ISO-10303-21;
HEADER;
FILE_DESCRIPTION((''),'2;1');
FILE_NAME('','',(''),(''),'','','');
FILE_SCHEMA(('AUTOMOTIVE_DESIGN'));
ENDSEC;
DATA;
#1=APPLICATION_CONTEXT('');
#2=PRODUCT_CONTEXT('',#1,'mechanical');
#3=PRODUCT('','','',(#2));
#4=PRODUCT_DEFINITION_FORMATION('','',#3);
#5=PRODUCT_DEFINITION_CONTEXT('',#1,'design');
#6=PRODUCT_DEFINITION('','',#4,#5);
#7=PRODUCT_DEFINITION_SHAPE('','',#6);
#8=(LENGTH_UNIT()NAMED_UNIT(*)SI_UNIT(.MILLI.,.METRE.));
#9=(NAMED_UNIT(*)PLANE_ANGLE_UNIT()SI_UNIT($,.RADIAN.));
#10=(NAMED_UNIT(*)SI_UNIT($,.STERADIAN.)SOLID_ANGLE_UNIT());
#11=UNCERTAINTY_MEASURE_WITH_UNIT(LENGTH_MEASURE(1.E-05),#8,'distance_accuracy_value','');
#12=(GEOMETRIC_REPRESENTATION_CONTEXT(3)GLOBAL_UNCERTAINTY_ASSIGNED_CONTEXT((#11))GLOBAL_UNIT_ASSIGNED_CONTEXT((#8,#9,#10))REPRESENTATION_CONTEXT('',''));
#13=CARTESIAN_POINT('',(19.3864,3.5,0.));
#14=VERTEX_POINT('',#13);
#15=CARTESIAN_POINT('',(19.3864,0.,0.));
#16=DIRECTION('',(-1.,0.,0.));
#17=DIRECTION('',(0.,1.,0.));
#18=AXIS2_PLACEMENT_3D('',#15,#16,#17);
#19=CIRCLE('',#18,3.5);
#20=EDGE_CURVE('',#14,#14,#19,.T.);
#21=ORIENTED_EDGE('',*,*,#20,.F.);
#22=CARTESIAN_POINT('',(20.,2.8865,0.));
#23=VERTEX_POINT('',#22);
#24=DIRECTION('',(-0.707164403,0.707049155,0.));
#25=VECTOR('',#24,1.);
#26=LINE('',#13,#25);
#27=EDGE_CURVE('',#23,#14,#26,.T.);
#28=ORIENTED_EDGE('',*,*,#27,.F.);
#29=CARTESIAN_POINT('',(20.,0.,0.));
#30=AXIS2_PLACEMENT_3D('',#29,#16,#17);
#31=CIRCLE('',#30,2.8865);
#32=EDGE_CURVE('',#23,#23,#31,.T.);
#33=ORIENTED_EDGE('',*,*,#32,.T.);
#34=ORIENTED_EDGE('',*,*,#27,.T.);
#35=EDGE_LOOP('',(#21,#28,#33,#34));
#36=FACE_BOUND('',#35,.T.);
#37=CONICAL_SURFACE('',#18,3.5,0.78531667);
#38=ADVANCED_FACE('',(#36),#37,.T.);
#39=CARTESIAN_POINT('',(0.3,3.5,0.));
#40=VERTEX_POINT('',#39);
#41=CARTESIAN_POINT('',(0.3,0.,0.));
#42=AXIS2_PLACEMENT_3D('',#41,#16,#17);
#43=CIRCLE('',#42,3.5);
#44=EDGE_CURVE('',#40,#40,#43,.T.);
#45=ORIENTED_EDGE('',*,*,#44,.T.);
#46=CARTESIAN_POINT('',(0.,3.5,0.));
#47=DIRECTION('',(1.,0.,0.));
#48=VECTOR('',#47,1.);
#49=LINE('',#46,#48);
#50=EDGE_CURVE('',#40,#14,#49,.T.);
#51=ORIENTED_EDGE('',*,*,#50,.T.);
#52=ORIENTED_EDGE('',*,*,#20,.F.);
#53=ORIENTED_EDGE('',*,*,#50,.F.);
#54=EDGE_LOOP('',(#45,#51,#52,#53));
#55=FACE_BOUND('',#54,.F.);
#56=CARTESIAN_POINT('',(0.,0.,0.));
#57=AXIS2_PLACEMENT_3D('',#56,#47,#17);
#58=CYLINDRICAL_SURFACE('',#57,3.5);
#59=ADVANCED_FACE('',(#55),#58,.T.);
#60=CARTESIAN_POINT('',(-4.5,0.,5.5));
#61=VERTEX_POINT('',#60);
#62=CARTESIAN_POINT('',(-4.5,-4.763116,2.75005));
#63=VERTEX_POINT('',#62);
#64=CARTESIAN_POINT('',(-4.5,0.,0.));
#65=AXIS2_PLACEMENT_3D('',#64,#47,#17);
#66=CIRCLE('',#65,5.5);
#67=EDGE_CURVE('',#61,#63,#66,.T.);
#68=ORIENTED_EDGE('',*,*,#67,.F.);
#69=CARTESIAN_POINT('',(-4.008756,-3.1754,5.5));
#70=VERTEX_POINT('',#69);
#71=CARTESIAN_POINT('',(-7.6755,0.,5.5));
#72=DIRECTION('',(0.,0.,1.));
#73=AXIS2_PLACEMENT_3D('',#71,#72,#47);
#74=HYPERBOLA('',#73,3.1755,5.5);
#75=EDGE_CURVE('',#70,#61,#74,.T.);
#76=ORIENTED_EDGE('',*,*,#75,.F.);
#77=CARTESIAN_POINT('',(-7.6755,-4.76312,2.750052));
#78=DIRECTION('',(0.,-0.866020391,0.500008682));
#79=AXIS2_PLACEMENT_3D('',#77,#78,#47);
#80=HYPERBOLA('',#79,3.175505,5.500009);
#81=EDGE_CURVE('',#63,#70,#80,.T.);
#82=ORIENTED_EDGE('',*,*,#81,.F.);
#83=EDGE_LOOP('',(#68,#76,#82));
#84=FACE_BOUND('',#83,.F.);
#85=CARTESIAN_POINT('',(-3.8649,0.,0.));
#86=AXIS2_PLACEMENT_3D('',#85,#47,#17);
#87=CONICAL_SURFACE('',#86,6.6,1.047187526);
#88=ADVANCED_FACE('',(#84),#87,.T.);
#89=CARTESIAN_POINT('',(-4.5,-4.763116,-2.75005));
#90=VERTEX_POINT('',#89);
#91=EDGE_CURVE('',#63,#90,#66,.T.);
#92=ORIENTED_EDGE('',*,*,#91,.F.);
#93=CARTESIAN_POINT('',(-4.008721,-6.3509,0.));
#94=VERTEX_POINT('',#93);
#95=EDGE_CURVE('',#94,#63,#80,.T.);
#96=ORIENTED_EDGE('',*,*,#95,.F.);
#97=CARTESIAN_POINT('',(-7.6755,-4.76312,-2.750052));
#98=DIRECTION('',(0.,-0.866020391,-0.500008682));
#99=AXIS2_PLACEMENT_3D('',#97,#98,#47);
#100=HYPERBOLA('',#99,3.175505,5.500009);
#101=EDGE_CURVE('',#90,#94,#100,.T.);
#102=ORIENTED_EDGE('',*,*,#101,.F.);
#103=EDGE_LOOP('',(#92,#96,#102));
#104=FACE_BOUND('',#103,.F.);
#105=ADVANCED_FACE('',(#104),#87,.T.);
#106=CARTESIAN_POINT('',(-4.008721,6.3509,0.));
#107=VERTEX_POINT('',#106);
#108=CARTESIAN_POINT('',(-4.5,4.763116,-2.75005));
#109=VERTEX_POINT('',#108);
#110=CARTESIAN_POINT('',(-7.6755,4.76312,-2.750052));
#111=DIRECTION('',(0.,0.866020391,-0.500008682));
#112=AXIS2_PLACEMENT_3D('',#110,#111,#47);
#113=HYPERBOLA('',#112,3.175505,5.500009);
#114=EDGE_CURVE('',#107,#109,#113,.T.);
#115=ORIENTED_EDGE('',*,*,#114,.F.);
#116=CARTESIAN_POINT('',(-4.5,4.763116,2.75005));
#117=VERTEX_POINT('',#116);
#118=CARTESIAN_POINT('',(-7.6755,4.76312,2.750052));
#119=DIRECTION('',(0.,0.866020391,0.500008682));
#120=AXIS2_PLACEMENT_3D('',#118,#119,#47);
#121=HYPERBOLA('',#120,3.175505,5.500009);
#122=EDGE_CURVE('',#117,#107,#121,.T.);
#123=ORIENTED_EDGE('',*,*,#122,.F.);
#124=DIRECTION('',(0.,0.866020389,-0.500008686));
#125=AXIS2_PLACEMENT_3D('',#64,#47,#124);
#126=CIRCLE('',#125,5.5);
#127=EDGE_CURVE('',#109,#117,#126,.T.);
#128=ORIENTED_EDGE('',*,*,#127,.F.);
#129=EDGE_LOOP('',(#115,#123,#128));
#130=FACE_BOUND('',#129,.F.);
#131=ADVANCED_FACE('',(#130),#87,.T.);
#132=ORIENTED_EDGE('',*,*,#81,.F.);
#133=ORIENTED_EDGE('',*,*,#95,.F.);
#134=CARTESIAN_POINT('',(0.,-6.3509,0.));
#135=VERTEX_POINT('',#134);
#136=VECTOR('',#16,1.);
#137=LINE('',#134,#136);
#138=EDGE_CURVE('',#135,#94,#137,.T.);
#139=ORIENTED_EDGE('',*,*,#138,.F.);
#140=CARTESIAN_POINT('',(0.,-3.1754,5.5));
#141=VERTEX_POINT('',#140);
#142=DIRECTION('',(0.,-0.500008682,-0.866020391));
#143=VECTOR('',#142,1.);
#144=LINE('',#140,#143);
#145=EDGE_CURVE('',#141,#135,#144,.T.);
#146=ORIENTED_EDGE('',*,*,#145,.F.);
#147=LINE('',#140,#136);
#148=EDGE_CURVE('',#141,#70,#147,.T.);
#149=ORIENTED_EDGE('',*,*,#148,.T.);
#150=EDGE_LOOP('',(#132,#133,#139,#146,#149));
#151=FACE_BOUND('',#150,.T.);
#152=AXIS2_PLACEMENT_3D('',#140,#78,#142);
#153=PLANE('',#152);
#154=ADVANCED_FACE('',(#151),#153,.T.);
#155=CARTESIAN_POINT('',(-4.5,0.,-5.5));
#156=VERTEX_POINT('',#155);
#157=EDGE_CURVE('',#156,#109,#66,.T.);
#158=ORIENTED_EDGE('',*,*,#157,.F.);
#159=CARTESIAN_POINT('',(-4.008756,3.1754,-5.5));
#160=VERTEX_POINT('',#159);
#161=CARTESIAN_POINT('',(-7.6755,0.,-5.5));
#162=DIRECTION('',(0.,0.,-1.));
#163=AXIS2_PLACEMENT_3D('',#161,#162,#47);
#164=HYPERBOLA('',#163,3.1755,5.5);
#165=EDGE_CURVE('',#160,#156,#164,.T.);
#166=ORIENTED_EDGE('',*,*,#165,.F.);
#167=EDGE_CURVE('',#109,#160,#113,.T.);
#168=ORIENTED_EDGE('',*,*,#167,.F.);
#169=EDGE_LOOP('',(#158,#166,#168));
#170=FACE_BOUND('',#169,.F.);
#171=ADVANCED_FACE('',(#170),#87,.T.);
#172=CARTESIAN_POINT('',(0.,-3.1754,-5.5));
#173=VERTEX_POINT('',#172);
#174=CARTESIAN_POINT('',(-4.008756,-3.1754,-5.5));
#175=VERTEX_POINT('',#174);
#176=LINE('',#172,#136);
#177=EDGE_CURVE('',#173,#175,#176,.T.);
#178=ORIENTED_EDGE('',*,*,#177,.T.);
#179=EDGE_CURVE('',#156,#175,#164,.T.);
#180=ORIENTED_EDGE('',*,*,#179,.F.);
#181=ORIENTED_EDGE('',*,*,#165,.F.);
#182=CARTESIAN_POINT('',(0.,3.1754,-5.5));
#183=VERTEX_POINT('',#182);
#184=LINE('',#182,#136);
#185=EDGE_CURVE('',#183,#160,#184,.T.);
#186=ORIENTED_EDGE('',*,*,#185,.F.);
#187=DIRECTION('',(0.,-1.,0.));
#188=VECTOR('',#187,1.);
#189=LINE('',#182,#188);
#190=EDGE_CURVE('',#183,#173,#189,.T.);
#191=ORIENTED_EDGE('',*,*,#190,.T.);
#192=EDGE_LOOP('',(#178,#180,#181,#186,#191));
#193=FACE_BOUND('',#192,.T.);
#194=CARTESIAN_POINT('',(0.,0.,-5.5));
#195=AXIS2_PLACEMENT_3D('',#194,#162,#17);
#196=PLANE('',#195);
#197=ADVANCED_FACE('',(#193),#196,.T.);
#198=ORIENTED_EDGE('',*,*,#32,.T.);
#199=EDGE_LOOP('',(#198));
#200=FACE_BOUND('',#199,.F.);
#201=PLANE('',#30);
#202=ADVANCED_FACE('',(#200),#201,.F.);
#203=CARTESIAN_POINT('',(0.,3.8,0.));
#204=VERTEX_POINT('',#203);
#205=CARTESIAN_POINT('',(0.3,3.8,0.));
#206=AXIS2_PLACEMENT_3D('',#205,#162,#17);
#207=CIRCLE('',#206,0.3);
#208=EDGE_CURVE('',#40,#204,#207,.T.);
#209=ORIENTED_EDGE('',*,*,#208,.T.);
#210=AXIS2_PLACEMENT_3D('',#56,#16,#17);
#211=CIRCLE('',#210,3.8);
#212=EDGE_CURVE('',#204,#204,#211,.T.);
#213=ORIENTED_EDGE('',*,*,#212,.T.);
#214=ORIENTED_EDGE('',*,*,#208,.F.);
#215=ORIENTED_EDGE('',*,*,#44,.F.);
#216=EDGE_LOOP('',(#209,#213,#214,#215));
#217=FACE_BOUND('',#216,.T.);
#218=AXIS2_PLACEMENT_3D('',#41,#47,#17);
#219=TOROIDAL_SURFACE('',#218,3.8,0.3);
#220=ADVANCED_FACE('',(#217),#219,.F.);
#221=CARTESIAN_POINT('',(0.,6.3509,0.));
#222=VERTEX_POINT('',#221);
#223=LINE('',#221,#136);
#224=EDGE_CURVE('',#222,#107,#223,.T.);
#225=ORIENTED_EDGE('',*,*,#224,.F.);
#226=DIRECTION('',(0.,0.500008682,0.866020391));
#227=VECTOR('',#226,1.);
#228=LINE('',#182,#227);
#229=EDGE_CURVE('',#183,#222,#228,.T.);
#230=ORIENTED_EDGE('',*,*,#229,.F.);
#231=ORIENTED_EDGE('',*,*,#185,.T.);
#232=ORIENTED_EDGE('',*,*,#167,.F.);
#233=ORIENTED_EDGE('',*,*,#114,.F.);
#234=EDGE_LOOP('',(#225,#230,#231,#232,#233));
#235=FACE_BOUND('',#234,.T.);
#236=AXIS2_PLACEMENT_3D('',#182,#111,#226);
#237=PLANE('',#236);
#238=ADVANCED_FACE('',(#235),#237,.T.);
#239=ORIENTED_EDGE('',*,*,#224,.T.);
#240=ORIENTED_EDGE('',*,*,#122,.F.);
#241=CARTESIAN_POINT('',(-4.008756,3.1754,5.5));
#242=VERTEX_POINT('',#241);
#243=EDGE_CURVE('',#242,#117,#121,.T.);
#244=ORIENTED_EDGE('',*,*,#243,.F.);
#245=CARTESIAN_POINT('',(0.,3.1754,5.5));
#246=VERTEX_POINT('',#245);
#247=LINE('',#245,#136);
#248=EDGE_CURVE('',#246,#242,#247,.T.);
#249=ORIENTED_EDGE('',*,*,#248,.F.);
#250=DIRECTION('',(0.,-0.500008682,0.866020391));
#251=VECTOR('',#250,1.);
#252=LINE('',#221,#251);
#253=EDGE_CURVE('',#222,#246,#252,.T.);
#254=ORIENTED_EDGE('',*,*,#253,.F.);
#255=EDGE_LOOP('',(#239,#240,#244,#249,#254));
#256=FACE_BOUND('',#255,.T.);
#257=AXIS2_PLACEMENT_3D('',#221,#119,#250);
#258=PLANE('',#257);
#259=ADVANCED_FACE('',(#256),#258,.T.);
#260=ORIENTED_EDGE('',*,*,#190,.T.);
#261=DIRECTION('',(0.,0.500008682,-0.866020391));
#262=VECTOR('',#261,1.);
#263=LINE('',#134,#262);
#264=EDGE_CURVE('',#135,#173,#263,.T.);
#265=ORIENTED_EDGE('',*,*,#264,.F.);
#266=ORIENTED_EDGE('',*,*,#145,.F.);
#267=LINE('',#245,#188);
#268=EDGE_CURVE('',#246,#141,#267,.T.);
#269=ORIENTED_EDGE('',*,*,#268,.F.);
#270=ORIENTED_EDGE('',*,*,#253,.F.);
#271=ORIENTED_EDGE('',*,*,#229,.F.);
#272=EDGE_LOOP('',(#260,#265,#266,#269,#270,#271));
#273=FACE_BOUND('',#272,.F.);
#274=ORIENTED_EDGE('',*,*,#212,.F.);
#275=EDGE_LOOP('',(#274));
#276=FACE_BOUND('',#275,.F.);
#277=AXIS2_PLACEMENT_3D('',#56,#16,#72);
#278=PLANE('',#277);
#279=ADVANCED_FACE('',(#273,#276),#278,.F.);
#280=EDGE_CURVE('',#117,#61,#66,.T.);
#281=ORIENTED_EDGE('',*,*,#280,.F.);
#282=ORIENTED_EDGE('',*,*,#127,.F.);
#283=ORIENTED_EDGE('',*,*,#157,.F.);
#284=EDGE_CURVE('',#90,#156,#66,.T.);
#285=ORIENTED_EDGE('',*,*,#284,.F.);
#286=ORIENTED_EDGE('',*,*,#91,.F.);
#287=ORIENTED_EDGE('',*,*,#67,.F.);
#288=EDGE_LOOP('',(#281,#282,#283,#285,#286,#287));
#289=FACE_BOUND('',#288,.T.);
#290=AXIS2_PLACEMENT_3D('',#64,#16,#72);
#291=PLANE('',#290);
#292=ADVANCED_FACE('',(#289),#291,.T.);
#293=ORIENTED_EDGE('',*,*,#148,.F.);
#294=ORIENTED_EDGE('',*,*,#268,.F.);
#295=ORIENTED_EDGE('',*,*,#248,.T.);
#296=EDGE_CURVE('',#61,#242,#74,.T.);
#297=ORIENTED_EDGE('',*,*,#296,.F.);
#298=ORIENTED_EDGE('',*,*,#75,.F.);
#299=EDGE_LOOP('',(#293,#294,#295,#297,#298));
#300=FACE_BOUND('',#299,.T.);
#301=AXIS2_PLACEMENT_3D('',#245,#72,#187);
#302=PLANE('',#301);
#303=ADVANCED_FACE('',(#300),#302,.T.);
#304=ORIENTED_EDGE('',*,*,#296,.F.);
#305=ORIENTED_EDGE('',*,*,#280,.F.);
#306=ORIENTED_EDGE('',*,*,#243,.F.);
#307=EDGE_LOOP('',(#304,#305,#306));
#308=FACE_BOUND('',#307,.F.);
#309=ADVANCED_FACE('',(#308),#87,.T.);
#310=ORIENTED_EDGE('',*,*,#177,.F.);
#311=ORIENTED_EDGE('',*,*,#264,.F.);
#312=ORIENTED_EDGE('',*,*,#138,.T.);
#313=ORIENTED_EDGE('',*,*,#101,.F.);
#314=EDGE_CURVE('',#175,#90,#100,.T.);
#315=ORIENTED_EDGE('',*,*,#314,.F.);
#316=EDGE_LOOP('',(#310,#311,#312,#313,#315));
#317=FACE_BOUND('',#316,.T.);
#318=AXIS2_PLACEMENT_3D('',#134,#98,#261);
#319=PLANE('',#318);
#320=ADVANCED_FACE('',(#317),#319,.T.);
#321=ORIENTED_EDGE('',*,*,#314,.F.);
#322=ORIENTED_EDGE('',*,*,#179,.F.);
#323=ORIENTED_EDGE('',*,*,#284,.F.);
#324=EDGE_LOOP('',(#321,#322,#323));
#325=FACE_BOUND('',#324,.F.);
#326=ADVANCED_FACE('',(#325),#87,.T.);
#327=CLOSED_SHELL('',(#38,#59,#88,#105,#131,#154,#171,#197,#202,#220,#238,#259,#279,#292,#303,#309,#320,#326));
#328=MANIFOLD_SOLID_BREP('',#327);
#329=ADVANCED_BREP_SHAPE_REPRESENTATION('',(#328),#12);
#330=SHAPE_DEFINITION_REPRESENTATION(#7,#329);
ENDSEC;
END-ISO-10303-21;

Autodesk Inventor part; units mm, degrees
ref_plane "YZ Plane" through (0, 0, 0) normal (1, 0, 0) x (0, 1, 0)
ref_plane "XZ Plane" through (0, 0, 0) normal (0, 1, 0) x (-1, 0, 0)
sketch "Sketch1" plane through (0, 0, 0) normal (0, 0, 1) x (1, 0, 0)
  line L0 (0, 3.5) -> (20, 3.5)
  line L1 (20, 3.5) -> (20, 0)
  line L2 (20, 0) -> (0, 0)
  line L3 (-4, 0) -> (24, 0) projected
  line L4 (0, -0.7) -> (0, 4.2) projected
  line L5 (0, 3.5) -> (0, 0)
  dimension "d2" = 7
  dimension "d59" = 20
revolve "Body" add sketch "Sketch1" angle 360 about axis through (20, 0, 0) along (-1, 0, 0)
sketch "Sketch2" plane through (0, 0, 0) normal (-1, 0, 0) x (0, 0, 1)
  line L0 (0, 6.3509) -> (5.5, 3.1754)
  line L1 (5.5, 3.1754) -> (5.5, -3.1754)
  line L2 (5.5, -3.1754) -> (0, -6.3509)
  line L3 (0, -6.3509) -> (-5.5, -3.1754)
  line L4 (-5.5, -3.1754) -> (-5.5, 3.1754)
  line L5 (-5.5, 3.1754) -> (0, 6.3509)
  line L6 (-7.7, 0) -> (7.7, 0) projected
  line L7 (0, 8.8912) -> (0, -8.8912) projected
  point P0 (0, 0)
  point P1 (0, 0)
  dimension "d11" = 11
extrude "Head" add sketch "Sketch2" along normal blind 4.5
sketch "Sketch4" plane through (0, 0, 0) normal (0, 0, 1) x (1, 0, 0)
  line L0 (-3.8649, 6.6) -> (-4.5, 5.5)
  line L1 (-1.1, 0) -> (-0.234, 0)
  line L2 (-5.3532, 0) -> (0.6192, 0) projected
  line L3 (-4.5, 6.6) -> (-3.8649, 6.6)
  line L4 (-4.5, 5.5) -> (-4.5, 6.6)
  line L5 (0, 7.92) -> (0, -1.32) projected
  dimension "d65" = 11
  dimension "d67" = 30
  dimension "d68" = 13.2
  dimension "d69" = 4.5
revolve "Chamfer1" cut sketch "Sketch4" angle 360 about axis through (-1.1, 0, 0) along (1, 0, 0)
thread "Thread" size "M7x1" class "6g" standard "ISO Metric profile" length 13
chamfer "Chamfer2" distance 0.6135 distance2 0.6136 1 edges at (20, -3.5, 0) measured on face at (20, 0.2032, -0.9043)
fillet "Fillet2" radius 0.3 1 edges at (0, -3.5, 0)
ref_plane "Work Plane1" through (1.525, 0, 0) normal (0, 0, 1) x (1, 0, 0)
equation "\"d2\" = GD"
equation "\"d59\" = NLG"
equation "\"d11\" = SW"
equation "\"d3\" = KOH"
equation "\"d71\" = RR"
equation "\"d15\" = GEL"
equation "\"d6\" = -0.5 * SPD + 0.5 * GD"
equation "\"d65\" = SW"
equation "\"d67\" = ANG1"
equation "\"d68\" = 1.2 * SW"
equation "\"d69\" = KOH"
equation "\"NLG\" = 20"
equation "\"GD\" = NND"
equation "\"BDM\" = NND"
equation "\"KOH\" = 4.5"
equation "\"GEL\" = 13"
equation "\"SW\" = 11"
equation "\"SW0\" = 11"
equation "\"SPD\" = NND - 1.2269 * PTC"
equation "\"SD2\" = NND"
equation "\"SD\" = 0"
equation "\"ANG1\" = 30deg"
equation "\"GAL\" = 0.61345 * PTC"
equation "\"GUL\" = 0.61345 * PTC"
equation "\"RR\" = 0.3"
equation "\"RR1\" = 0.1"
equation "\"GD1\" = THREADDIA - 1.2269 * PTC"
equation "\"THREADDIA\" = 7"
equation "\"TOA\" = 30deg"
equation "\"FAWI\" = 60deg"
equation "\"PTC\" = 1"
equation "\"NND\" = 7"
equation "\"E0\" = 1.155 * SW"
properties part number "CSN 02 1201 - M7 x 20" material "Steel, Mild"
